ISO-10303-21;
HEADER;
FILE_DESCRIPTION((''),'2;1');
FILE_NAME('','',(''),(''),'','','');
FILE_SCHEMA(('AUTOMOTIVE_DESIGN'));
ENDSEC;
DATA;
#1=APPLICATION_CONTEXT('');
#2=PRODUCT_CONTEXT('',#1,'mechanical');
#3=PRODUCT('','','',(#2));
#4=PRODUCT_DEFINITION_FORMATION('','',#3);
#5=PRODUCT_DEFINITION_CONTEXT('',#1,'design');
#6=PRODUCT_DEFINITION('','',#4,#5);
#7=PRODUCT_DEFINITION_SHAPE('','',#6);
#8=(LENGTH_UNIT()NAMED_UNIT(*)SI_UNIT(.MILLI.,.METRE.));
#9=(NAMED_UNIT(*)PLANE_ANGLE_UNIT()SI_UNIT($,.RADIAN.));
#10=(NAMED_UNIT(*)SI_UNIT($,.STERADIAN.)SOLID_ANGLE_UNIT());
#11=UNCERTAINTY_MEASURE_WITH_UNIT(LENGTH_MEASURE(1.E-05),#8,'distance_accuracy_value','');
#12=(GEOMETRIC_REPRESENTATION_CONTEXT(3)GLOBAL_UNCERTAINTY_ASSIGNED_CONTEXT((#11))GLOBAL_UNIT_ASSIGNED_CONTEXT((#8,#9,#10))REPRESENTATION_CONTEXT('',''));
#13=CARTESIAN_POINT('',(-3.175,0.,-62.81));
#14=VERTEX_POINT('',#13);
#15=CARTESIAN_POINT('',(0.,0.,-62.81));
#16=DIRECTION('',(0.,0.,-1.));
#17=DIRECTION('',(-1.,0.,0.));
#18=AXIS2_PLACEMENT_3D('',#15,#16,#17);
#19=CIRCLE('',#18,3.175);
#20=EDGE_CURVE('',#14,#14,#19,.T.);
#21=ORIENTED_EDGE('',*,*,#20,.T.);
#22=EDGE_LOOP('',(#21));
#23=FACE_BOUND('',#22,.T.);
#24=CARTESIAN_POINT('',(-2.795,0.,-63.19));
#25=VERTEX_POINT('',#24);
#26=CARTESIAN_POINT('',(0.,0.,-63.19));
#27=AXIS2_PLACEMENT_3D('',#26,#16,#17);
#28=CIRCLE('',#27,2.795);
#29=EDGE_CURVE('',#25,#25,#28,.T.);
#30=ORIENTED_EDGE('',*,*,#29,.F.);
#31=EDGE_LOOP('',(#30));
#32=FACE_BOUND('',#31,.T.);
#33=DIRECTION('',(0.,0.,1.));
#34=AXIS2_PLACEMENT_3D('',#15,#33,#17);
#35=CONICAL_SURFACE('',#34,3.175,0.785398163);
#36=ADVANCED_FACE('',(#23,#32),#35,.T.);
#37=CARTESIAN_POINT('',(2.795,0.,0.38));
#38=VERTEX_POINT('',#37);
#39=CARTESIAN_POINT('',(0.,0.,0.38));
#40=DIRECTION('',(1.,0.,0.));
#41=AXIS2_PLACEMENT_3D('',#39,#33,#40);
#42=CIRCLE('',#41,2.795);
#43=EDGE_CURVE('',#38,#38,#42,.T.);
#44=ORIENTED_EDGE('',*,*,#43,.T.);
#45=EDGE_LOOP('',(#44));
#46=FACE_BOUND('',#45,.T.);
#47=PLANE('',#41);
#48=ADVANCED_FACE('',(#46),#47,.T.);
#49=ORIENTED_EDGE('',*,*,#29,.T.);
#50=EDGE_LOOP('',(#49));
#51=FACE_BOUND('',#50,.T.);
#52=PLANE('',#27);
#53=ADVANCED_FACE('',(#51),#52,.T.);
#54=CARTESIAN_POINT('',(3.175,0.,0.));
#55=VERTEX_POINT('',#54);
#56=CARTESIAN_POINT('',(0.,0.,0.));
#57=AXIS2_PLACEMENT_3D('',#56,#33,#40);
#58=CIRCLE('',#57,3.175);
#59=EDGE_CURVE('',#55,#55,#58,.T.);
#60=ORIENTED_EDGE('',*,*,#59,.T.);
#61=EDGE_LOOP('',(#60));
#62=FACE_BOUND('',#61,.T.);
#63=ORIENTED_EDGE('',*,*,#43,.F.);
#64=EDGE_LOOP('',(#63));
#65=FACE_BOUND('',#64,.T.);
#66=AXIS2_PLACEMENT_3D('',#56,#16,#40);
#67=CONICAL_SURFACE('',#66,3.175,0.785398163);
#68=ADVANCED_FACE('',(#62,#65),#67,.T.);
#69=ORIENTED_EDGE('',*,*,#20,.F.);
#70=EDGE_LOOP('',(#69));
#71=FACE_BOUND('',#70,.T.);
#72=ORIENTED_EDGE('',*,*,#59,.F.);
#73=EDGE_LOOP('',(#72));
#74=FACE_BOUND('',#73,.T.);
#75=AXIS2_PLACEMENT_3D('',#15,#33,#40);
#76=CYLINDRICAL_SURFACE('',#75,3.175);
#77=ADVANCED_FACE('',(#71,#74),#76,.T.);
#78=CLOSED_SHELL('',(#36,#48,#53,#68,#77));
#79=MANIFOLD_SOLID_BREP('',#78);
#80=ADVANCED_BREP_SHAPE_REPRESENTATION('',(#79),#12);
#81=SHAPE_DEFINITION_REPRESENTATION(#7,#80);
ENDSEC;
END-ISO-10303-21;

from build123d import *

# Parameters (mm, degrees)
SKETCH2_R           = 3.175
BOSS_EXTRUDE1_DEPTH = 62.81
SKETCH3_R           = 3.175
BOSS_EXTRUDE2_DEPTH = 0.38
BOSS_EXTRUDE2_TAPER = 45
SKETCH4_R           = 3.175
BOSS_EXTRUDE3_DEPTH = 0.38
BOSS_EXTRUDE3_TAPER = 45


with BuildPart() as part:
    # Sketch2 → Boss-Extrude1 (new body)
    with BuildSketch(Plane.XY):
        Circle(SKETCH2_R)
    extrude(amount=-BOSS_EXTRUDE1_DEPTH)

    # Sketch3 → Boss-Extrude2 (add)
    with BuildSketch(Plane.XY):
        Circle(SKETCH3_R)
    extrude(amount=BOSS_EXTRUDE2_DEPTH, taper=BOSS_EXTRUDE2_TAPER)

    # Sketch4 → Boss-Extrude3 (add)
    with BuildSketch(Plane(origin=(0, 0, -62.81), x_dir=(-1, 0, 0), z_dir=(0, 0, -1))):
        Circle(SKETCH4_R)
    extrude(amount=BOSS_EXTRUDE3_DEPTH, taper=BOSS_EXTRUDE3_TAPER)


solid = part.part
